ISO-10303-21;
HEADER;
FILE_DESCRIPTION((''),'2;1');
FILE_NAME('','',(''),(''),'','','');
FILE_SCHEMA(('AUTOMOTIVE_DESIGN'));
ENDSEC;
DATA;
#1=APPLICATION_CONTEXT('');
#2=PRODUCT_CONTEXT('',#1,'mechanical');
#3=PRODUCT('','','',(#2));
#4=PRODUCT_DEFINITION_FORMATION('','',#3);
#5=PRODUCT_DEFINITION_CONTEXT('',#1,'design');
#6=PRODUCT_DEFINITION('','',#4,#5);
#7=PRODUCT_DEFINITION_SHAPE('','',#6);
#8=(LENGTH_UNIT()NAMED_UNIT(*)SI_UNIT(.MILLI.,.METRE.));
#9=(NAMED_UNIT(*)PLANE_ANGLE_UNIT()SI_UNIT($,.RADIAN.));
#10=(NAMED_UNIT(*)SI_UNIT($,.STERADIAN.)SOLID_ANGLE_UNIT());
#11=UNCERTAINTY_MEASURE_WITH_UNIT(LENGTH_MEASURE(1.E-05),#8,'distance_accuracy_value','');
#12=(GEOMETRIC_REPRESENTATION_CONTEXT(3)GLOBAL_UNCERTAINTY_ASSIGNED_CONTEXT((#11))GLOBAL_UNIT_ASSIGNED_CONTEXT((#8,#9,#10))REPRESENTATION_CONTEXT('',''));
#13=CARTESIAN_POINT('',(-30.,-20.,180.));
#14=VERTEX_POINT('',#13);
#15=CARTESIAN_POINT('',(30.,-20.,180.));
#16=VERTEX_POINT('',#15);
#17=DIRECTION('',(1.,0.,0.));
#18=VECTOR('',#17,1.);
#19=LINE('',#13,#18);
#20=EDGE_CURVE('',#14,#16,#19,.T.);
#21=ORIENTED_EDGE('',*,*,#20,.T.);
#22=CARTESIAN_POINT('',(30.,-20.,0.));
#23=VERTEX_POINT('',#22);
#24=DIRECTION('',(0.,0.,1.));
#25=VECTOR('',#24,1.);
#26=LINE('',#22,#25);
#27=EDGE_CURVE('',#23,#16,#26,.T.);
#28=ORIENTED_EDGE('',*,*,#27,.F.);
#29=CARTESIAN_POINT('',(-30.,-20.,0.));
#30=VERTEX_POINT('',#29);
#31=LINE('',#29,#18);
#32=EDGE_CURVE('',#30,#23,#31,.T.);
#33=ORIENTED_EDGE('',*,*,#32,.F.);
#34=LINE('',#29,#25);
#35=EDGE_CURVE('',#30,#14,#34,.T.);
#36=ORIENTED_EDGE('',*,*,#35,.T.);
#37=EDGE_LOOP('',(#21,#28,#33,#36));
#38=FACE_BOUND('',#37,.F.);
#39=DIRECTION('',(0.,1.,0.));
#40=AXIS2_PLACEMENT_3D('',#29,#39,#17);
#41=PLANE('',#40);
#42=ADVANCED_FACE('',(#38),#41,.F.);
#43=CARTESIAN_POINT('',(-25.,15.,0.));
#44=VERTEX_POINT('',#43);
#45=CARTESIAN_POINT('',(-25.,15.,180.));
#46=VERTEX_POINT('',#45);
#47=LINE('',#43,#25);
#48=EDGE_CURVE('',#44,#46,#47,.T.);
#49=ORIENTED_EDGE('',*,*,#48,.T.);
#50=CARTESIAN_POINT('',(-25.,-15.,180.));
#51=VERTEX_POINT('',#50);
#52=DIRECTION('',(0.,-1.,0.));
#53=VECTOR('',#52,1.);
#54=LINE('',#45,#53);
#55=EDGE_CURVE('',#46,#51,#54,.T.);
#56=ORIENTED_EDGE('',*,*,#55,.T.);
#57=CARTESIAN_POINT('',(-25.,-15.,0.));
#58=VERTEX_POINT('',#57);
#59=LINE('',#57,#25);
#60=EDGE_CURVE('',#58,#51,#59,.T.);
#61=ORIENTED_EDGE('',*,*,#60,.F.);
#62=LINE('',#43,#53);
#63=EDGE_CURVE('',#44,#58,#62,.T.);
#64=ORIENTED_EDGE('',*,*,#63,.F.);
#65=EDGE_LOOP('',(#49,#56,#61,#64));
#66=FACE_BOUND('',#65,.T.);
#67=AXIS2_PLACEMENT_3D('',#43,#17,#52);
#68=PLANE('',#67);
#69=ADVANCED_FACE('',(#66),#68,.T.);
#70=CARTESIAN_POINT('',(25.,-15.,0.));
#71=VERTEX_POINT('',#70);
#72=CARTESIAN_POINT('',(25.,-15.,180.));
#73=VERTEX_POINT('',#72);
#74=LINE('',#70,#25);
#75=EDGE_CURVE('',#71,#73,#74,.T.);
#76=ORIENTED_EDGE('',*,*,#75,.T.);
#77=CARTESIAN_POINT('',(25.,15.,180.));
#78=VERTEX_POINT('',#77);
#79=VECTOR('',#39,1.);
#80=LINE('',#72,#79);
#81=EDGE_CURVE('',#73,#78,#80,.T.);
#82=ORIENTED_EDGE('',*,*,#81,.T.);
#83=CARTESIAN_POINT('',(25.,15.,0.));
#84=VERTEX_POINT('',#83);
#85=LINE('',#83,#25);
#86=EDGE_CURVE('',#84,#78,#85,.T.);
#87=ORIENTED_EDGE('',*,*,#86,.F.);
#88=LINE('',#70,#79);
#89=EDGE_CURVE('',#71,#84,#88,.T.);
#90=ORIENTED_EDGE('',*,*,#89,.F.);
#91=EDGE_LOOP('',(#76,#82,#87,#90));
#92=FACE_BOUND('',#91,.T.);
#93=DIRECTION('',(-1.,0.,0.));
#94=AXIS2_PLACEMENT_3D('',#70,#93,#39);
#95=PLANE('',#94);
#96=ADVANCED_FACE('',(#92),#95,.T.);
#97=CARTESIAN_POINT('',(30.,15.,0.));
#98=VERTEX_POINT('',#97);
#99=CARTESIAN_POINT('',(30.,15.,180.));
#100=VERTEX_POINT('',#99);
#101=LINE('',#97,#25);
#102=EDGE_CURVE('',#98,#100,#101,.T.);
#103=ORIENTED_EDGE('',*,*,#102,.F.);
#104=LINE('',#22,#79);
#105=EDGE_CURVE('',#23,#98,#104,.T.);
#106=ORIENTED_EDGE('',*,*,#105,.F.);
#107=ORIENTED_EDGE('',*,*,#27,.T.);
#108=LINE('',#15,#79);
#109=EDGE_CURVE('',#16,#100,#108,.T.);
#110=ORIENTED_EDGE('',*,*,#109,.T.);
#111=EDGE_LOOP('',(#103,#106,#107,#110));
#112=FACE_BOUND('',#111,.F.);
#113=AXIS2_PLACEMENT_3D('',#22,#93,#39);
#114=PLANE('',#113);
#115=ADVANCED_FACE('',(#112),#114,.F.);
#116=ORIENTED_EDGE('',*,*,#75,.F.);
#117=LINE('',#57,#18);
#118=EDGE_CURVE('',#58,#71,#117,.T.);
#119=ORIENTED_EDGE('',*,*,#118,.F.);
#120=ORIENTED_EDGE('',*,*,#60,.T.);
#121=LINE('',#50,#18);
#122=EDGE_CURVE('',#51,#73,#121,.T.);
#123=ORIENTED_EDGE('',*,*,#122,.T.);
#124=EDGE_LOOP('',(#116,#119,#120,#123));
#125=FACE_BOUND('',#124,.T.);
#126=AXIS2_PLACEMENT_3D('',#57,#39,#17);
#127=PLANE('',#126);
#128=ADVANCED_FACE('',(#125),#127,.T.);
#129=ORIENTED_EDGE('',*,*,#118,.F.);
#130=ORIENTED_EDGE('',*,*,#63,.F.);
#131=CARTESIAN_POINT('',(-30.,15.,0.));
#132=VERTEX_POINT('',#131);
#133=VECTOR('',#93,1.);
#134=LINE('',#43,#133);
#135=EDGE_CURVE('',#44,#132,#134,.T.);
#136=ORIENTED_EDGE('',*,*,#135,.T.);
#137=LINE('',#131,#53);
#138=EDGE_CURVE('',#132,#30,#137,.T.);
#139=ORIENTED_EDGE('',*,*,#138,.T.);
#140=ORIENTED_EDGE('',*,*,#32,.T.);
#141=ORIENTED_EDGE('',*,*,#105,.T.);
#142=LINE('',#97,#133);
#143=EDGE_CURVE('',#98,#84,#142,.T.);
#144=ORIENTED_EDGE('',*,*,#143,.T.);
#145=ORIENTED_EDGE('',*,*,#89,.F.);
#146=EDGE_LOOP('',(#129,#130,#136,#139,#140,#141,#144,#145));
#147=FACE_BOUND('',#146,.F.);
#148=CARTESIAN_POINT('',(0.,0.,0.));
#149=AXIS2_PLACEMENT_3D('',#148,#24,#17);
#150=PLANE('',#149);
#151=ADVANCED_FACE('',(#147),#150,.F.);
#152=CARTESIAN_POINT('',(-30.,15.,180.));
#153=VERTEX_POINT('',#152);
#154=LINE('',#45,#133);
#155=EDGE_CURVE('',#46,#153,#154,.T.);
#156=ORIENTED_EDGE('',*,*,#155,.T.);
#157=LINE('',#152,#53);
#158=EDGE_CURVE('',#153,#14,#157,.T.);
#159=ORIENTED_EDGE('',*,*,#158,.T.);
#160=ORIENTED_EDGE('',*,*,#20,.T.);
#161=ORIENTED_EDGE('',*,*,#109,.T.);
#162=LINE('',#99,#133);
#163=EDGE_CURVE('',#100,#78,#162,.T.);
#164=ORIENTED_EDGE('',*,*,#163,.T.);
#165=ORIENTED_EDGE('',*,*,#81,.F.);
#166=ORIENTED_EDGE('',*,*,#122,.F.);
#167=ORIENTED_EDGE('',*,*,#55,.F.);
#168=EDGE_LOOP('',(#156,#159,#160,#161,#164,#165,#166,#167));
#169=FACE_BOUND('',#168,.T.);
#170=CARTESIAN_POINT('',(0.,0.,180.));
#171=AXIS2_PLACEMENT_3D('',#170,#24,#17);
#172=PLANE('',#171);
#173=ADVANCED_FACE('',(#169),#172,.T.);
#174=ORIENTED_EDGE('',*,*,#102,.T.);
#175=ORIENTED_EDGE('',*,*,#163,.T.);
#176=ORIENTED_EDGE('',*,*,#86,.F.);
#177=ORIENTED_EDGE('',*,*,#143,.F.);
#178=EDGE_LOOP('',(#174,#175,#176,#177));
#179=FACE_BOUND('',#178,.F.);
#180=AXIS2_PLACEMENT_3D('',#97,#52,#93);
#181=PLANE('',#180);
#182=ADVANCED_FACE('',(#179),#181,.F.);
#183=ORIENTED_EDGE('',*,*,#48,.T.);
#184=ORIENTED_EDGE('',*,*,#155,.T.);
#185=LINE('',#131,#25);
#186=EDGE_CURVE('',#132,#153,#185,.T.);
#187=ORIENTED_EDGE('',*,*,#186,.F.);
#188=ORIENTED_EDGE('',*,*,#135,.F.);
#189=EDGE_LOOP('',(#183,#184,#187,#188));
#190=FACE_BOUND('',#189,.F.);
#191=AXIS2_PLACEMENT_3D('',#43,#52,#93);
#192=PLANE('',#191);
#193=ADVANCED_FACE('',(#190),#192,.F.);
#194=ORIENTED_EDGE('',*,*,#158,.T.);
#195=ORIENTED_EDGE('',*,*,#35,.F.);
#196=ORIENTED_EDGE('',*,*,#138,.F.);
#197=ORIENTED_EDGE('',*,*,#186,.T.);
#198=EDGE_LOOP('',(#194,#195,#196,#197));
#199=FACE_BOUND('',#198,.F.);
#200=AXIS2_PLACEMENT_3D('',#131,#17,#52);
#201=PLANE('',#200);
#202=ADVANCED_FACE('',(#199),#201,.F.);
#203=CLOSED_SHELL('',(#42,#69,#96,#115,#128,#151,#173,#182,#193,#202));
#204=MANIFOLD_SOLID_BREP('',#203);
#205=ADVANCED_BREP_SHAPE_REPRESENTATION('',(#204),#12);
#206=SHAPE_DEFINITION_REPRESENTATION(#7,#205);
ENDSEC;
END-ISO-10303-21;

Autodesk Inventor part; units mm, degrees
ref_plane "YZ Plane" through (0, 0, 0) normal (1, 0, 0) x (0, 1, 0)
ref_plane "XZ Plane" through (0, 0, 0) normal (0, 1, 0) x (-1, 0, 0)
ref_plane "XY Plane" through (0, 0, 0) normal (0, 0, 1) x (1, 0, 0)
sketch "Sketch1" plane through (0, 0, 0) normal (0, 0, 1) x (1, 0, 0)
  line L0 (-25, -15) -> (25, -15)
  line L1 (25, -15) -> (25, 15)
  line L2 (25, 15) -> (-25, 15) construction
  line L3 (-25, 15) -> (-25, -15)
  line L4 (-25, -15) -> (25, 15) construction
  line L5 (25, -15) -> (-25, 15) construction
  line L6 (-25, 15) -> (-30, 15)
  line L7 (-30, 15) -> (-30, -20)
  line L8 (-30, -20) -> (30, -20)
  line L9 (30, -20) -> (30, 15)
  line L10 (30, 15) -> (25, 15)
  point P0 (0, 0)
  dimension "d0" = 50
  dimension "d1" = 30
  dimension "d2" = 5
  dimension "d3" = 35
  dimension "d4" = 60
extrude "Extrusion1" add sketch "Sketch1" along normal blind 180
properties part number "track 1832"
